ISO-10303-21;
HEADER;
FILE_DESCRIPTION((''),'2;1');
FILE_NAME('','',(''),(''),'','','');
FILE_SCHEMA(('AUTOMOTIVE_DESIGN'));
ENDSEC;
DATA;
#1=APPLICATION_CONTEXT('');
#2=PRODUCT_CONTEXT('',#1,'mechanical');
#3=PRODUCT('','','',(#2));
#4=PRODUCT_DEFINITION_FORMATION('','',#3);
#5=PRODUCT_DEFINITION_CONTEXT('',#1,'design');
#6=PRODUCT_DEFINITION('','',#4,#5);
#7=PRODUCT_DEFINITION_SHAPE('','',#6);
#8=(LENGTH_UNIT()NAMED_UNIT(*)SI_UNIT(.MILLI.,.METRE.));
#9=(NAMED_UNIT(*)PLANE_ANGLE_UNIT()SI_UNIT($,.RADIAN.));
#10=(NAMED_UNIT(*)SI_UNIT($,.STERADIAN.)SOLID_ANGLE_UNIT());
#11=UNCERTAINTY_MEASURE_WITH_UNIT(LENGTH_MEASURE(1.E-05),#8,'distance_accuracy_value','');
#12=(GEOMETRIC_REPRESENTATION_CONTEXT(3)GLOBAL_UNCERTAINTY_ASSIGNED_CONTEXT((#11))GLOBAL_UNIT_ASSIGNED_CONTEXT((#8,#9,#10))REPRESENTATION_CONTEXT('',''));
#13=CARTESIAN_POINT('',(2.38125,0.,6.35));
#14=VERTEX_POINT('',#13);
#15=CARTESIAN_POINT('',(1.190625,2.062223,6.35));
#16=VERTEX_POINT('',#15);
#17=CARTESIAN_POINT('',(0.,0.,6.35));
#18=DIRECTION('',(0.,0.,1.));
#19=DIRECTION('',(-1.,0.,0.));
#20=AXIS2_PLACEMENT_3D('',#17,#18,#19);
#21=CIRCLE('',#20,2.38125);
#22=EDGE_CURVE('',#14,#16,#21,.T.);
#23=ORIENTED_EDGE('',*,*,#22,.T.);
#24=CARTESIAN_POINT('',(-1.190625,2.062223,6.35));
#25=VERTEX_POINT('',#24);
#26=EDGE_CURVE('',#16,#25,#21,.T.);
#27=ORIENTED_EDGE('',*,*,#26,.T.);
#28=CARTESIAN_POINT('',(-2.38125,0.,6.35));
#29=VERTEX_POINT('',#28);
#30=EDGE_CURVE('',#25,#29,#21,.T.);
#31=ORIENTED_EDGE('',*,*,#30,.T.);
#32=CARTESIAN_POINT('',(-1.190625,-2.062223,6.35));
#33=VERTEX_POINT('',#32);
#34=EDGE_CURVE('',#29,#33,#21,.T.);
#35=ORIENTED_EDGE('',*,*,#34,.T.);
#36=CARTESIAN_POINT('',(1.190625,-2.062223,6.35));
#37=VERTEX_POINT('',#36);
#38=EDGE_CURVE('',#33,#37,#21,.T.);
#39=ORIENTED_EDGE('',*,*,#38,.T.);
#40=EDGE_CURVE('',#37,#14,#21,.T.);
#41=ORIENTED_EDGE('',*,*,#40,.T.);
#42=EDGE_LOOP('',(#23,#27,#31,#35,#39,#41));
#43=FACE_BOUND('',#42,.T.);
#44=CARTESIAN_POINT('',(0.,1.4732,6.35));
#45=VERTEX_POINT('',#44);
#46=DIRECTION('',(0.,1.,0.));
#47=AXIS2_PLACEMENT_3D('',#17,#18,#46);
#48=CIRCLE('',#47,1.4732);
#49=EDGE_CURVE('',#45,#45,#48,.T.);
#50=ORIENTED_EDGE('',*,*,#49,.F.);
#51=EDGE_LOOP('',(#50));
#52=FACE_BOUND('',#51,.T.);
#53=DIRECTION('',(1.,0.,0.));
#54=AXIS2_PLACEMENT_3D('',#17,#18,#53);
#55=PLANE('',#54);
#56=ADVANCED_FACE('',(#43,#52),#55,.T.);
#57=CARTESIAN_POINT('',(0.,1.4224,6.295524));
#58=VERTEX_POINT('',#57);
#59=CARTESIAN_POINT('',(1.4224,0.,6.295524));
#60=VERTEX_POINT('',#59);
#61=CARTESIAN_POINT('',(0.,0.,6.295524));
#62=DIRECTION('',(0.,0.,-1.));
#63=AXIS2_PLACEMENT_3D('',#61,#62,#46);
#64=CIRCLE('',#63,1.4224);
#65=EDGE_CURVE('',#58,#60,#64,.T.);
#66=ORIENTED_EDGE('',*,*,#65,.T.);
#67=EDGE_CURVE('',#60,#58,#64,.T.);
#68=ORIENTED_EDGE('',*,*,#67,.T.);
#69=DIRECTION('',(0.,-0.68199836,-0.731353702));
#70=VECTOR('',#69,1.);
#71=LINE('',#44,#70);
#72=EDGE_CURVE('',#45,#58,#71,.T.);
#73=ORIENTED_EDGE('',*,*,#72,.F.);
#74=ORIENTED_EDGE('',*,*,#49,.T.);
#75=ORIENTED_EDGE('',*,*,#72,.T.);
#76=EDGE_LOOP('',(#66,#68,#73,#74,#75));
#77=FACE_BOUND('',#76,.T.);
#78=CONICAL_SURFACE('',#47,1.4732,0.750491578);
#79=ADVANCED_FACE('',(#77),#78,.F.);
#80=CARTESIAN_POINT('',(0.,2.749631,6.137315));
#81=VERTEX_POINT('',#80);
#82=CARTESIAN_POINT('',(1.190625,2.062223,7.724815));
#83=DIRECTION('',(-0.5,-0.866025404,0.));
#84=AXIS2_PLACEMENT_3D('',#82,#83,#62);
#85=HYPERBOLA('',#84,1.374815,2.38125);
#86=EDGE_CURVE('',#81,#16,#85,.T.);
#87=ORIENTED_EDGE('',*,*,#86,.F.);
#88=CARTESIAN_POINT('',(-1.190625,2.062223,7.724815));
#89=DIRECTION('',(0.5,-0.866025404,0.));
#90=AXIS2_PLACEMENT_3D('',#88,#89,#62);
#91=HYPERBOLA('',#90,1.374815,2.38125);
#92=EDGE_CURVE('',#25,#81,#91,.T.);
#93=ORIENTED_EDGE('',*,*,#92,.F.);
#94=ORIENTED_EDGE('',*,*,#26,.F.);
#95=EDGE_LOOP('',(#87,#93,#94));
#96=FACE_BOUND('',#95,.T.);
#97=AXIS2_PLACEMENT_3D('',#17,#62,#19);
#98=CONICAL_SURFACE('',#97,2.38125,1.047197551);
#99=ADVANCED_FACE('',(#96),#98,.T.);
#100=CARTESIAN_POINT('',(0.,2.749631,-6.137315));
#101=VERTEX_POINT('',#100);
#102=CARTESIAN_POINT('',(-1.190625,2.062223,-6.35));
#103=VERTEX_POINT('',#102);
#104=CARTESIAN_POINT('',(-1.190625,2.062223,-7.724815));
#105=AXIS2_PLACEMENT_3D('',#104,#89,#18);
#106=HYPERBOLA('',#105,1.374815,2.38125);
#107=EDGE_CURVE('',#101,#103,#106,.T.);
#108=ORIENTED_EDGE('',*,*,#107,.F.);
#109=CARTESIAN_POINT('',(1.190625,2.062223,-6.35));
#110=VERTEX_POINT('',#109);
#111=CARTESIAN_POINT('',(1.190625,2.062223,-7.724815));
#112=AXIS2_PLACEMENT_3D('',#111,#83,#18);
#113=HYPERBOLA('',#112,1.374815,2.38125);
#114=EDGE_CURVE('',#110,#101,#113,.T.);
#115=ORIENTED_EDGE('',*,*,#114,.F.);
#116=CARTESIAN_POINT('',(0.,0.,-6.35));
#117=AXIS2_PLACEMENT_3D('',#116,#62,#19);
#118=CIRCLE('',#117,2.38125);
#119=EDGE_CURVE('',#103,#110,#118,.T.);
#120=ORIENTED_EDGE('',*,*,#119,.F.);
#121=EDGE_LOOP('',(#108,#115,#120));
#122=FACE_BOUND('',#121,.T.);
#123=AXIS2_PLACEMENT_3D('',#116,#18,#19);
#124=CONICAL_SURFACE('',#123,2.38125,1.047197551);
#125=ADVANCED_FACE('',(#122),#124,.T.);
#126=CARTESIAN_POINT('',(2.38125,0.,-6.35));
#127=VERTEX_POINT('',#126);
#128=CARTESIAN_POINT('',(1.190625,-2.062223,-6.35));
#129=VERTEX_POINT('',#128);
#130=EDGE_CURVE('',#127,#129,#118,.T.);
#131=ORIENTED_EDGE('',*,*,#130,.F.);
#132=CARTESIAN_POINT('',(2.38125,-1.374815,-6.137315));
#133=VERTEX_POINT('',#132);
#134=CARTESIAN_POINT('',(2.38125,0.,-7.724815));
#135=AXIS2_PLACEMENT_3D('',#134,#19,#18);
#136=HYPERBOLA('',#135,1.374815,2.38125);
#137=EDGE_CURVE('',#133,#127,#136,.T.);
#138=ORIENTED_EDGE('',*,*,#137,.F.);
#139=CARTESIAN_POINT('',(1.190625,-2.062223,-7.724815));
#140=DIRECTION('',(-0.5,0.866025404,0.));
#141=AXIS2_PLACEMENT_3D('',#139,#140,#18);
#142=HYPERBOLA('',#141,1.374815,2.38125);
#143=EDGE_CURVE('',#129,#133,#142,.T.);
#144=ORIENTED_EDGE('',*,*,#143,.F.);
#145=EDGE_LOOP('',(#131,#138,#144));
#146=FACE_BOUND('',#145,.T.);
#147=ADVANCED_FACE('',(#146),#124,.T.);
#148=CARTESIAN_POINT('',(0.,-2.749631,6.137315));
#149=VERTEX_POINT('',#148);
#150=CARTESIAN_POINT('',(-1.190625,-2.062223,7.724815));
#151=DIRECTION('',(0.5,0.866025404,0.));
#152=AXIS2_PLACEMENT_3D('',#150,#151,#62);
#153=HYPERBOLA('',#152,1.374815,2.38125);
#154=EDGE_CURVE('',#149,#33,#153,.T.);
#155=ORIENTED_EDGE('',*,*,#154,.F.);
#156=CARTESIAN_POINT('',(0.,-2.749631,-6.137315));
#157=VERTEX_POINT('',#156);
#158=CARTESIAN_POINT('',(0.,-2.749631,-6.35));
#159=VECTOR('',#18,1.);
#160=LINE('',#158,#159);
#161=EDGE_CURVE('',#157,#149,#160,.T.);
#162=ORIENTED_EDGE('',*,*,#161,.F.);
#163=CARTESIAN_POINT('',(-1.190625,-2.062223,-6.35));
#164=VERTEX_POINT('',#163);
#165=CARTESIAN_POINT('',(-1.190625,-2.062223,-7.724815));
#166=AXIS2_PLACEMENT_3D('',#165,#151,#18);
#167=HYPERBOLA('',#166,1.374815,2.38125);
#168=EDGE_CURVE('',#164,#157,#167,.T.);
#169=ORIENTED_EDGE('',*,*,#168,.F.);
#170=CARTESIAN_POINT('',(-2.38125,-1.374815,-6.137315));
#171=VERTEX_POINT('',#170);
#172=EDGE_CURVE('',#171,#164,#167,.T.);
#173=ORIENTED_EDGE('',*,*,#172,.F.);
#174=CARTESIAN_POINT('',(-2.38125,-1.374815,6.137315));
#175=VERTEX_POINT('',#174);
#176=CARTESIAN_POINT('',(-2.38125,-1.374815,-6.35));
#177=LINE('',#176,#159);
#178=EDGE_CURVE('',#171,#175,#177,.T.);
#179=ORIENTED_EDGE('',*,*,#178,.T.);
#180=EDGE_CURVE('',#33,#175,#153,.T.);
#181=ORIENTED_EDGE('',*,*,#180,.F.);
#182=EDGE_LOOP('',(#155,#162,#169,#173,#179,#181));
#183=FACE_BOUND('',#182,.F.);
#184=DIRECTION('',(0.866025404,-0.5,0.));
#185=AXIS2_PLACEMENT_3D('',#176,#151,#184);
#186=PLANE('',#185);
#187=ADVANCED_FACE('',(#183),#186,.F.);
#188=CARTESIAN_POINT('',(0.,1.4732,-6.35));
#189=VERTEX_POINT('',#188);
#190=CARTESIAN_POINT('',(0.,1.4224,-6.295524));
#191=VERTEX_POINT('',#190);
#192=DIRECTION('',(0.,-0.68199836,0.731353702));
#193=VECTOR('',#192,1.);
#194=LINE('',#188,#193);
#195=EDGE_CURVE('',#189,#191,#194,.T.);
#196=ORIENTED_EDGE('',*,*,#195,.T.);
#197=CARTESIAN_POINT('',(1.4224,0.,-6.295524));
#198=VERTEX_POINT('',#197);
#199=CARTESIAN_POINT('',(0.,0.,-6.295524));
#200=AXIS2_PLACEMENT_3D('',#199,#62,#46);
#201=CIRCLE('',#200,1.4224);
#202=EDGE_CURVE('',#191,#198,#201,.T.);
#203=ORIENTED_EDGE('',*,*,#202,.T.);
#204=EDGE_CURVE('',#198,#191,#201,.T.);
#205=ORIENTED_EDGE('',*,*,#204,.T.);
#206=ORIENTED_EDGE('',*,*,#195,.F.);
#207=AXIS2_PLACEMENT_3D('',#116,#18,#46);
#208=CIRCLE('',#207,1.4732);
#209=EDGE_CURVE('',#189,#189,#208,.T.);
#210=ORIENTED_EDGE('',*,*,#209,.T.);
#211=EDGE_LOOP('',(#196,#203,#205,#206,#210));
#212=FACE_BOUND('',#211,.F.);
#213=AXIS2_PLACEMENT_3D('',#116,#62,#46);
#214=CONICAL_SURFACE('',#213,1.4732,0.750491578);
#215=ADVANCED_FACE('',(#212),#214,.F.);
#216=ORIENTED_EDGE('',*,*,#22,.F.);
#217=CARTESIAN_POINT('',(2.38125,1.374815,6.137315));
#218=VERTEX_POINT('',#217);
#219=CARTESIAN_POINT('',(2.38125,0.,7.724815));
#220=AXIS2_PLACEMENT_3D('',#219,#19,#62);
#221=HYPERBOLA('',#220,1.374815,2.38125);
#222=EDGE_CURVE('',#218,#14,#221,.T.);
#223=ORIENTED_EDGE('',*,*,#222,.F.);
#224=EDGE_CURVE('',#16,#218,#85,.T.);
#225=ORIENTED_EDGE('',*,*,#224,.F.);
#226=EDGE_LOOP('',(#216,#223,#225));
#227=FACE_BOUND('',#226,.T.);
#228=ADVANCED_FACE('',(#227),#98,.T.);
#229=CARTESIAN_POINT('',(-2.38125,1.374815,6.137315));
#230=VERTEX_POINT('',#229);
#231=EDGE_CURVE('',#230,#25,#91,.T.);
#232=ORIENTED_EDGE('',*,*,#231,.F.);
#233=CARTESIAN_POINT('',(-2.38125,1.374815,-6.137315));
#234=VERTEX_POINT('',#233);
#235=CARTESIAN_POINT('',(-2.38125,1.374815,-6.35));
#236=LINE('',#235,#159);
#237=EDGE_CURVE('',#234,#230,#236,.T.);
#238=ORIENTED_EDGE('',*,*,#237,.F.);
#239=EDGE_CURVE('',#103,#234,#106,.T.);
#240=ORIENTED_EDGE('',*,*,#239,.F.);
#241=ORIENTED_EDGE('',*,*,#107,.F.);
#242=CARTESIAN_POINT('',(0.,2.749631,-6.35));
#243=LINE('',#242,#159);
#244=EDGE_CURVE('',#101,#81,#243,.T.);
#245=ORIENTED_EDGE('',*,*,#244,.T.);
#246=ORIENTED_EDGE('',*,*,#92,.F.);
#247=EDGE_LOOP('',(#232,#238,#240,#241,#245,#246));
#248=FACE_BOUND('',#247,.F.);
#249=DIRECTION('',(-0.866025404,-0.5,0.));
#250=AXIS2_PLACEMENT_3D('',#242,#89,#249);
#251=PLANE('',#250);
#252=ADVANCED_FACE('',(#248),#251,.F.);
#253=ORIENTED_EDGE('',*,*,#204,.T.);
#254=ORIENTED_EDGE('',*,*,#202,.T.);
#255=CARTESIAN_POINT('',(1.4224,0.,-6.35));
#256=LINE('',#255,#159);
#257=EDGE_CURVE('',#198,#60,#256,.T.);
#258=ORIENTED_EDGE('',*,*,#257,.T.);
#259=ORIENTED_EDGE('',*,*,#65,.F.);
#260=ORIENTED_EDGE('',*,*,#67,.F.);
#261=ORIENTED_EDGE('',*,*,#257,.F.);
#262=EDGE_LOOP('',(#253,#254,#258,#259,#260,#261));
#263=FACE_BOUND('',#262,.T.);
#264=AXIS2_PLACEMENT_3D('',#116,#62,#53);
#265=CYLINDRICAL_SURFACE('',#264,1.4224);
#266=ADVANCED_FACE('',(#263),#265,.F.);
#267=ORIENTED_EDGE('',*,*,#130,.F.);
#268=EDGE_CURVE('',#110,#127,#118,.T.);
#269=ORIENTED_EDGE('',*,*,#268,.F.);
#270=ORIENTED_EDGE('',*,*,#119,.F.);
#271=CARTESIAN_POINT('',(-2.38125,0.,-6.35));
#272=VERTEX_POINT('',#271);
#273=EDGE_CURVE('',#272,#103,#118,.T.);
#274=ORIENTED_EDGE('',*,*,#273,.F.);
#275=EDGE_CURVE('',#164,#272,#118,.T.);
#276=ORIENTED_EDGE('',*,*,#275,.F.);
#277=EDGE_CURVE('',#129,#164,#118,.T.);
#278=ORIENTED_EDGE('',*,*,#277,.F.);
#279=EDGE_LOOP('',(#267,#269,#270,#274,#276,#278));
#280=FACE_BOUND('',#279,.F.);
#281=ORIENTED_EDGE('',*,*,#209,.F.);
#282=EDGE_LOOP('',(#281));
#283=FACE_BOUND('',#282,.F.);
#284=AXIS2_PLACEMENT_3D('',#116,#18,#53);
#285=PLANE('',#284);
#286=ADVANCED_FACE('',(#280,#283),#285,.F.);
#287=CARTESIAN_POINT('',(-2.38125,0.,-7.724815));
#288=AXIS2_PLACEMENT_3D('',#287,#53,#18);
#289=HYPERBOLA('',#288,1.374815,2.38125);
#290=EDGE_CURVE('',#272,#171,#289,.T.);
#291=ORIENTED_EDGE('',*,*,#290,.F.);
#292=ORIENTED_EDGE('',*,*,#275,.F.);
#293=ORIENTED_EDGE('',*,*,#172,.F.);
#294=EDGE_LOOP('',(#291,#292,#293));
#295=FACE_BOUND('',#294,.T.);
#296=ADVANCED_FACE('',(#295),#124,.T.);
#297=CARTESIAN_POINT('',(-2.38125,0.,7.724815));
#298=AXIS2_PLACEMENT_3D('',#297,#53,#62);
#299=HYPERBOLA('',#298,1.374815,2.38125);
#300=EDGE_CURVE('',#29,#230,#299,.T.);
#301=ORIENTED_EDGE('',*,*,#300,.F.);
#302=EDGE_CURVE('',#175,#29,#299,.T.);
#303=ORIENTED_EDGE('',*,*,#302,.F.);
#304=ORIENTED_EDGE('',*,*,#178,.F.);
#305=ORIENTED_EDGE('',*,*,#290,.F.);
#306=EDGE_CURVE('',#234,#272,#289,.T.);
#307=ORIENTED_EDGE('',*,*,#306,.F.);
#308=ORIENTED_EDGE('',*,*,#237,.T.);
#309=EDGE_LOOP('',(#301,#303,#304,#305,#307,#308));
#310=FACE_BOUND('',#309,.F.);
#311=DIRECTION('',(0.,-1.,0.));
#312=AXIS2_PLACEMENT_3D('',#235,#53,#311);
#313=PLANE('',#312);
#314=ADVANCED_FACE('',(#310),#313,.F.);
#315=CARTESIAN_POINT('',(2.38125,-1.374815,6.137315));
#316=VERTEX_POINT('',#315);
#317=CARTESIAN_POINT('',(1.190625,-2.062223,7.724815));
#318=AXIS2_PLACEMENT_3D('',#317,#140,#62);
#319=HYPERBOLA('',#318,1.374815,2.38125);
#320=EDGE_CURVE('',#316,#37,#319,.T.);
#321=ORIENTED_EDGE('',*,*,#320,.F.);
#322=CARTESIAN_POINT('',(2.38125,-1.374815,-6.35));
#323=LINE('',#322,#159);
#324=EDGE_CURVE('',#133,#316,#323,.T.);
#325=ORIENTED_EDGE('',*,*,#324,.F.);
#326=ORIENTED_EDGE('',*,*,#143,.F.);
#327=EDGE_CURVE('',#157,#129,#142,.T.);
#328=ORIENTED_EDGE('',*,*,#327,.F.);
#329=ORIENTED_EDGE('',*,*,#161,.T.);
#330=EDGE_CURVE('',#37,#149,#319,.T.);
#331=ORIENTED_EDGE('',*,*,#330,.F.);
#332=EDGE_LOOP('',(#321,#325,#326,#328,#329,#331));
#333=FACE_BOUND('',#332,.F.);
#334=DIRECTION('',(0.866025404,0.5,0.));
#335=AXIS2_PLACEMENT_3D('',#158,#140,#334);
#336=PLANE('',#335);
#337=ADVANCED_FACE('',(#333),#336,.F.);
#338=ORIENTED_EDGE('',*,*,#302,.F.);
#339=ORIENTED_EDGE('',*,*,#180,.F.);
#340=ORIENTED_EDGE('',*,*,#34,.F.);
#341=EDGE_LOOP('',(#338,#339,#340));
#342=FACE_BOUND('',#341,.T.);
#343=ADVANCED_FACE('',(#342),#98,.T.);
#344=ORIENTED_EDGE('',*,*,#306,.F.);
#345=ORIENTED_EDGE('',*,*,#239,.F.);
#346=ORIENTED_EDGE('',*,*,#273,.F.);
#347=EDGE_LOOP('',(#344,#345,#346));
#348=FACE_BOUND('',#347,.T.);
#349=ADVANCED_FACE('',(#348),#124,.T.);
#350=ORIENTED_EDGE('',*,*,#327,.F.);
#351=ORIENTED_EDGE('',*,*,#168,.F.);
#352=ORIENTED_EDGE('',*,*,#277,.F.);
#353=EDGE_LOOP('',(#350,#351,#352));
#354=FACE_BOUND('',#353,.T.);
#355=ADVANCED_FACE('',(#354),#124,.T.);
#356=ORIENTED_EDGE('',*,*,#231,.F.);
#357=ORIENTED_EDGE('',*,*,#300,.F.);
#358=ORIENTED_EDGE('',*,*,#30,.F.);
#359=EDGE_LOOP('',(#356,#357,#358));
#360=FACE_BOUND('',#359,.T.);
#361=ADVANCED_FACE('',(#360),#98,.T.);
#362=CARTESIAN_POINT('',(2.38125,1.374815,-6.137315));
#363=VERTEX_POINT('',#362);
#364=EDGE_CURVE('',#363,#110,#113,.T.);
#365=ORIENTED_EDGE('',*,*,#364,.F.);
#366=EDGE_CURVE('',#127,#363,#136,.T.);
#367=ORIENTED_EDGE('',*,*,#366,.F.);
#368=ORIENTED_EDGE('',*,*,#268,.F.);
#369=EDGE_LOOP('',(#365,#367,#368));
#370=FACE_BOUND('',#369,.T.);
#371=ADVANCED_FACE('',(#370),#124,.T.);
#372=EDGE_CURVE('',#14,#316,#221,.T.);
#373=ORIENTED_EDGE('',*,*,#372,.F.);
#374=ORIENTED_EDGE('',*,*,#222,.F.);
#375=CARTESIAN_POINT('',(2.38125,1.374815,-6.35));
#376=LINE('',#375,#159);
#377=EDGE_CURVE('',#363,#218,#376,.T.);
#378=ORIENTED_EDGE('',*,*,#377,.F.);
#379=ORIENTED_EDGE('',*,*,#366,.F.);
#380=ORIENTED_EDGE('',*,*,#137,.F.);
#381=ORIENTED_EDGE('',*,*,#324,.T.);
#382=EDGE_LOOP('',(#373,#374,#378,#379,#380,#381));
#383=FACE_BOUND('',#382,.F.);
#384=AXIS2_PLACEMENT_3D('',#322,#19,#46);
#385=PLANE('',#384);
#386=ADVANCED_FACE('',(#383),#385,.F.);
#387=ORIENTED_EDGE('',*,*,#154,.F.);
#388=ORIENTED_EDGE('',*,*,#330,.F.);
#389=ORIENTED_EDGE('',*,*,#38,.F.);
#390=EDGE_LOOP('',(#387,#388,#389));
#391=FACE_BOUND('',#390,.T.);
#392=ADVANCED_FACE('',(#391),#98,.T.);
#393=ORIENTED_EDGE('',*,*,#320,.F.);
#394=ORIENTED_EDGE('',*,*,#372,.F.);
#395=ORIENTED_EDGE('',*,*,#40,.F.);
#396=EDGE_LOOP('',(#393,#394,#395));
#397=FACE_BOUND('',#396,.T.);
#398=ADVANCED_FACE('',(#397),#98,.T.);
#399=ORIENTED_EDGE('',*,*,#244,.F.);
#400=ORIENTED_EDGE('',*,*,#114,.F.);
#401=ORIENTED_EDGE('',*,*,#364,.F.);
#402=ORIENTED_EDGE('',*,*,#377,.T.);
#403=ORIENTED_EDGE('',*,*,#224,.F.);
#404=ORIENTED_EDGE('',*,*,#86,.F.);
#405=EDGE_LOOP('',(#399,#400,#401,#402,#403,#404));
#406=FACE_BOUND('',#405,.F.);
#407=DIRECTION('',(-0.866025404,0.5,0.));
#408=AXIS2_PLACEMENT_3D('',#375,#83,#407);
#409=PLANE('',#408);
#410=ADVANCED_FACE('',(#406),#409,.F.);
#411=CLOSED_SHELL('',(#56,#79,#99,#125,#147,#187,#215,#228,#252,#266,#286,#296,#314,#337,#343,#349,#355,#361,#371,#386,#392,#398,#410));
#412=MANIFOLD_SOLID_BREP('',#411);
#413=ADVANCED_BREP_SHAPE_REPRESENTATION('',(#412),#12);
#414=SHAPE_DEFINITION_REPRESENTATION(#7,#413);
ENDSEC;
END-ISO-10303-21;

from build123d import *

# Parameters (mm, degrees)
EXTRUDE1_DEPTH          = 6.35
EXTRUDE1_DEPTH_BACK     = 6.35
SKETCH1_R               = 1.4224
SKETCH8_OUTSIDE_W       = 58.916
SKETCH8_OUTSIDE_H       = 59.654
SKETCH8_OUTSIDE_R       = 2.38125
EXTRUDE4_DEPTH          = 14.210632851
EXTRUDE4_DRAFT          = -60
MIRROR1_COPY_1_SKETCH_W = 58.916
MIRROR1_COPY_1_SKETCH_H = 59.654
MIRROR1_COPY_1_SKETCH_R = 2.38125
MIRROR1_COPY_1_DEPTH    = 14.210632851
MIRROR1_COPY_1_DRAFT    = -60


with BuildPart() as part:
    # Sketch1 → Extrude1 (new, two sides: drawn at the far end of the back side and taken through both)
    with BuildSketch(Plane.XY.offset(-EXTRUDE1_DEPTH_BACK)):
        Polygon((0, 2.749630657), (-2.38125, 1.374815329), (-2.38125, -1.374815329), (0, -2.749630657), (2.38125, -1.374815329), (2.38125, 1.374815329), align=None)
        Circle(SKETCH1_R, mode=Mode.SUBTRACT)
    extrude(amount=EXTRUDE1_DEPTH + EXTRUDE1_DEPTH_BACK)

    # Extrude3 cone 1 section (through the dimple's axis) → Extrude3 (revolve, cut)
    with BuildSketch(Plane(origin=(0, 0, -6.35), x_dir=(0, 1, 0), z_dir=(1, 0, 0))):
        Polygon((0, 0), (1.4732, 0), (0, 1.579813584), align=None)
    extrude3 = revolve(axis=Axis((0, 0, -6.35), (0, 0, 1)), mode=Mode.SUBTRACT)


with BuildPart() as extrude4_tool:
    # Sketch8 outside → Extrude4 (with draft: the straight prism first)
    with BuildSketch(Plane(origin=(0, 0, -6.35), x_dir=(-1, 0, 0), z_dir=(0, 0, -1))):
        Rectangle(SKETCH8_OUTSIDE_W, SKETCH8_OUTSIDE_H)
        Circle(SKETCH8_OUTSIDE_R, mode=Mode.SUBTRACT)
    extrude(amount=-EXTRUDE4_DEPTH)
    # Extrude4: the draft: its side faces are tilted about the plane it starts from
    extrude4_sides = [extrude4_tool.faces().sort_by_distance(p)[0] for p in [
        (0, -29.827, 0.755316425),
        (-29.458, 0, 0.755316425),
        (0, 29.827, 0.755316425),
        (29.458, 0, 0.755316425),
        (2.38125, 0, 0.755316425),
    ]]
    draft(extrude4_sides, Plane(origin=(0, 0, -6.35), x_dir=(-1, 0, 0), z_dir=(0, 0, -1)), EXTRUDE4_DRAFT)


with BuildPart() as part_1:
    add(part.part)

    # Extrude4: cut by extrude4_tool
    add(extrude4_tool.part, mode=Mode.SUBTRACT)

    # Mirror1: Extrude3 across plane
    add(extrude3.mirror(Plane.XY), mode=Mode.SUBTRACT)


with BuildPart() as mirror1_copy_1_tool:
    # Mirror1 copy 1 sketch → Mirror1 copy 1 (with draft: the straight prism first)
    with BuildSketch(Plane(origin=(0, 0, 6.35), x_dir=(-1, 0, 0), z_dir=(0, 0, 1))):
        Rectangle(MIRROR1_COPY_1_SKETCH_W, MIRROR1_COPY_1_SKETCH_H)
        Circle(MIRROR1_COPY_1_SKETCH_R, mode=Mode.SUBTRACT)
    extrude(amount=-MIRROR1_COPY_1_DEPTH)
    # Mirror1 copy 1: the draft: its side faces are tilted about the plane it starts from
    mirror1_copy_1_sides = [mirror1_copy_1_tool.faces().sort_by_distance(p)[0] for p in [
        (0, -29.827, -0.755316425),
        (-29.458, 0, -0.755316425),
        (0, 29.827, -0.755316425),
        (29.458, 0, -0.755316425),
        (2.38125, 0, -0.755316425),
    ]]
    draft(mirror1_copy_1_sides, Plane(origin=(0, 0, 6.35), x_dir=(-1, 0, 0), z_dir=(0, 0, 1)), MIRROR1_COPY_1_DRAFT)


with BuildPart() as part_2:
    add(part_1.part)

    # Mirror1 copy 1: cut by mirror1_copy_1_tool
    add(mirror1_copy_1_tool.part, mode=Mode.SUBTRACT)


solid = part_2.part
